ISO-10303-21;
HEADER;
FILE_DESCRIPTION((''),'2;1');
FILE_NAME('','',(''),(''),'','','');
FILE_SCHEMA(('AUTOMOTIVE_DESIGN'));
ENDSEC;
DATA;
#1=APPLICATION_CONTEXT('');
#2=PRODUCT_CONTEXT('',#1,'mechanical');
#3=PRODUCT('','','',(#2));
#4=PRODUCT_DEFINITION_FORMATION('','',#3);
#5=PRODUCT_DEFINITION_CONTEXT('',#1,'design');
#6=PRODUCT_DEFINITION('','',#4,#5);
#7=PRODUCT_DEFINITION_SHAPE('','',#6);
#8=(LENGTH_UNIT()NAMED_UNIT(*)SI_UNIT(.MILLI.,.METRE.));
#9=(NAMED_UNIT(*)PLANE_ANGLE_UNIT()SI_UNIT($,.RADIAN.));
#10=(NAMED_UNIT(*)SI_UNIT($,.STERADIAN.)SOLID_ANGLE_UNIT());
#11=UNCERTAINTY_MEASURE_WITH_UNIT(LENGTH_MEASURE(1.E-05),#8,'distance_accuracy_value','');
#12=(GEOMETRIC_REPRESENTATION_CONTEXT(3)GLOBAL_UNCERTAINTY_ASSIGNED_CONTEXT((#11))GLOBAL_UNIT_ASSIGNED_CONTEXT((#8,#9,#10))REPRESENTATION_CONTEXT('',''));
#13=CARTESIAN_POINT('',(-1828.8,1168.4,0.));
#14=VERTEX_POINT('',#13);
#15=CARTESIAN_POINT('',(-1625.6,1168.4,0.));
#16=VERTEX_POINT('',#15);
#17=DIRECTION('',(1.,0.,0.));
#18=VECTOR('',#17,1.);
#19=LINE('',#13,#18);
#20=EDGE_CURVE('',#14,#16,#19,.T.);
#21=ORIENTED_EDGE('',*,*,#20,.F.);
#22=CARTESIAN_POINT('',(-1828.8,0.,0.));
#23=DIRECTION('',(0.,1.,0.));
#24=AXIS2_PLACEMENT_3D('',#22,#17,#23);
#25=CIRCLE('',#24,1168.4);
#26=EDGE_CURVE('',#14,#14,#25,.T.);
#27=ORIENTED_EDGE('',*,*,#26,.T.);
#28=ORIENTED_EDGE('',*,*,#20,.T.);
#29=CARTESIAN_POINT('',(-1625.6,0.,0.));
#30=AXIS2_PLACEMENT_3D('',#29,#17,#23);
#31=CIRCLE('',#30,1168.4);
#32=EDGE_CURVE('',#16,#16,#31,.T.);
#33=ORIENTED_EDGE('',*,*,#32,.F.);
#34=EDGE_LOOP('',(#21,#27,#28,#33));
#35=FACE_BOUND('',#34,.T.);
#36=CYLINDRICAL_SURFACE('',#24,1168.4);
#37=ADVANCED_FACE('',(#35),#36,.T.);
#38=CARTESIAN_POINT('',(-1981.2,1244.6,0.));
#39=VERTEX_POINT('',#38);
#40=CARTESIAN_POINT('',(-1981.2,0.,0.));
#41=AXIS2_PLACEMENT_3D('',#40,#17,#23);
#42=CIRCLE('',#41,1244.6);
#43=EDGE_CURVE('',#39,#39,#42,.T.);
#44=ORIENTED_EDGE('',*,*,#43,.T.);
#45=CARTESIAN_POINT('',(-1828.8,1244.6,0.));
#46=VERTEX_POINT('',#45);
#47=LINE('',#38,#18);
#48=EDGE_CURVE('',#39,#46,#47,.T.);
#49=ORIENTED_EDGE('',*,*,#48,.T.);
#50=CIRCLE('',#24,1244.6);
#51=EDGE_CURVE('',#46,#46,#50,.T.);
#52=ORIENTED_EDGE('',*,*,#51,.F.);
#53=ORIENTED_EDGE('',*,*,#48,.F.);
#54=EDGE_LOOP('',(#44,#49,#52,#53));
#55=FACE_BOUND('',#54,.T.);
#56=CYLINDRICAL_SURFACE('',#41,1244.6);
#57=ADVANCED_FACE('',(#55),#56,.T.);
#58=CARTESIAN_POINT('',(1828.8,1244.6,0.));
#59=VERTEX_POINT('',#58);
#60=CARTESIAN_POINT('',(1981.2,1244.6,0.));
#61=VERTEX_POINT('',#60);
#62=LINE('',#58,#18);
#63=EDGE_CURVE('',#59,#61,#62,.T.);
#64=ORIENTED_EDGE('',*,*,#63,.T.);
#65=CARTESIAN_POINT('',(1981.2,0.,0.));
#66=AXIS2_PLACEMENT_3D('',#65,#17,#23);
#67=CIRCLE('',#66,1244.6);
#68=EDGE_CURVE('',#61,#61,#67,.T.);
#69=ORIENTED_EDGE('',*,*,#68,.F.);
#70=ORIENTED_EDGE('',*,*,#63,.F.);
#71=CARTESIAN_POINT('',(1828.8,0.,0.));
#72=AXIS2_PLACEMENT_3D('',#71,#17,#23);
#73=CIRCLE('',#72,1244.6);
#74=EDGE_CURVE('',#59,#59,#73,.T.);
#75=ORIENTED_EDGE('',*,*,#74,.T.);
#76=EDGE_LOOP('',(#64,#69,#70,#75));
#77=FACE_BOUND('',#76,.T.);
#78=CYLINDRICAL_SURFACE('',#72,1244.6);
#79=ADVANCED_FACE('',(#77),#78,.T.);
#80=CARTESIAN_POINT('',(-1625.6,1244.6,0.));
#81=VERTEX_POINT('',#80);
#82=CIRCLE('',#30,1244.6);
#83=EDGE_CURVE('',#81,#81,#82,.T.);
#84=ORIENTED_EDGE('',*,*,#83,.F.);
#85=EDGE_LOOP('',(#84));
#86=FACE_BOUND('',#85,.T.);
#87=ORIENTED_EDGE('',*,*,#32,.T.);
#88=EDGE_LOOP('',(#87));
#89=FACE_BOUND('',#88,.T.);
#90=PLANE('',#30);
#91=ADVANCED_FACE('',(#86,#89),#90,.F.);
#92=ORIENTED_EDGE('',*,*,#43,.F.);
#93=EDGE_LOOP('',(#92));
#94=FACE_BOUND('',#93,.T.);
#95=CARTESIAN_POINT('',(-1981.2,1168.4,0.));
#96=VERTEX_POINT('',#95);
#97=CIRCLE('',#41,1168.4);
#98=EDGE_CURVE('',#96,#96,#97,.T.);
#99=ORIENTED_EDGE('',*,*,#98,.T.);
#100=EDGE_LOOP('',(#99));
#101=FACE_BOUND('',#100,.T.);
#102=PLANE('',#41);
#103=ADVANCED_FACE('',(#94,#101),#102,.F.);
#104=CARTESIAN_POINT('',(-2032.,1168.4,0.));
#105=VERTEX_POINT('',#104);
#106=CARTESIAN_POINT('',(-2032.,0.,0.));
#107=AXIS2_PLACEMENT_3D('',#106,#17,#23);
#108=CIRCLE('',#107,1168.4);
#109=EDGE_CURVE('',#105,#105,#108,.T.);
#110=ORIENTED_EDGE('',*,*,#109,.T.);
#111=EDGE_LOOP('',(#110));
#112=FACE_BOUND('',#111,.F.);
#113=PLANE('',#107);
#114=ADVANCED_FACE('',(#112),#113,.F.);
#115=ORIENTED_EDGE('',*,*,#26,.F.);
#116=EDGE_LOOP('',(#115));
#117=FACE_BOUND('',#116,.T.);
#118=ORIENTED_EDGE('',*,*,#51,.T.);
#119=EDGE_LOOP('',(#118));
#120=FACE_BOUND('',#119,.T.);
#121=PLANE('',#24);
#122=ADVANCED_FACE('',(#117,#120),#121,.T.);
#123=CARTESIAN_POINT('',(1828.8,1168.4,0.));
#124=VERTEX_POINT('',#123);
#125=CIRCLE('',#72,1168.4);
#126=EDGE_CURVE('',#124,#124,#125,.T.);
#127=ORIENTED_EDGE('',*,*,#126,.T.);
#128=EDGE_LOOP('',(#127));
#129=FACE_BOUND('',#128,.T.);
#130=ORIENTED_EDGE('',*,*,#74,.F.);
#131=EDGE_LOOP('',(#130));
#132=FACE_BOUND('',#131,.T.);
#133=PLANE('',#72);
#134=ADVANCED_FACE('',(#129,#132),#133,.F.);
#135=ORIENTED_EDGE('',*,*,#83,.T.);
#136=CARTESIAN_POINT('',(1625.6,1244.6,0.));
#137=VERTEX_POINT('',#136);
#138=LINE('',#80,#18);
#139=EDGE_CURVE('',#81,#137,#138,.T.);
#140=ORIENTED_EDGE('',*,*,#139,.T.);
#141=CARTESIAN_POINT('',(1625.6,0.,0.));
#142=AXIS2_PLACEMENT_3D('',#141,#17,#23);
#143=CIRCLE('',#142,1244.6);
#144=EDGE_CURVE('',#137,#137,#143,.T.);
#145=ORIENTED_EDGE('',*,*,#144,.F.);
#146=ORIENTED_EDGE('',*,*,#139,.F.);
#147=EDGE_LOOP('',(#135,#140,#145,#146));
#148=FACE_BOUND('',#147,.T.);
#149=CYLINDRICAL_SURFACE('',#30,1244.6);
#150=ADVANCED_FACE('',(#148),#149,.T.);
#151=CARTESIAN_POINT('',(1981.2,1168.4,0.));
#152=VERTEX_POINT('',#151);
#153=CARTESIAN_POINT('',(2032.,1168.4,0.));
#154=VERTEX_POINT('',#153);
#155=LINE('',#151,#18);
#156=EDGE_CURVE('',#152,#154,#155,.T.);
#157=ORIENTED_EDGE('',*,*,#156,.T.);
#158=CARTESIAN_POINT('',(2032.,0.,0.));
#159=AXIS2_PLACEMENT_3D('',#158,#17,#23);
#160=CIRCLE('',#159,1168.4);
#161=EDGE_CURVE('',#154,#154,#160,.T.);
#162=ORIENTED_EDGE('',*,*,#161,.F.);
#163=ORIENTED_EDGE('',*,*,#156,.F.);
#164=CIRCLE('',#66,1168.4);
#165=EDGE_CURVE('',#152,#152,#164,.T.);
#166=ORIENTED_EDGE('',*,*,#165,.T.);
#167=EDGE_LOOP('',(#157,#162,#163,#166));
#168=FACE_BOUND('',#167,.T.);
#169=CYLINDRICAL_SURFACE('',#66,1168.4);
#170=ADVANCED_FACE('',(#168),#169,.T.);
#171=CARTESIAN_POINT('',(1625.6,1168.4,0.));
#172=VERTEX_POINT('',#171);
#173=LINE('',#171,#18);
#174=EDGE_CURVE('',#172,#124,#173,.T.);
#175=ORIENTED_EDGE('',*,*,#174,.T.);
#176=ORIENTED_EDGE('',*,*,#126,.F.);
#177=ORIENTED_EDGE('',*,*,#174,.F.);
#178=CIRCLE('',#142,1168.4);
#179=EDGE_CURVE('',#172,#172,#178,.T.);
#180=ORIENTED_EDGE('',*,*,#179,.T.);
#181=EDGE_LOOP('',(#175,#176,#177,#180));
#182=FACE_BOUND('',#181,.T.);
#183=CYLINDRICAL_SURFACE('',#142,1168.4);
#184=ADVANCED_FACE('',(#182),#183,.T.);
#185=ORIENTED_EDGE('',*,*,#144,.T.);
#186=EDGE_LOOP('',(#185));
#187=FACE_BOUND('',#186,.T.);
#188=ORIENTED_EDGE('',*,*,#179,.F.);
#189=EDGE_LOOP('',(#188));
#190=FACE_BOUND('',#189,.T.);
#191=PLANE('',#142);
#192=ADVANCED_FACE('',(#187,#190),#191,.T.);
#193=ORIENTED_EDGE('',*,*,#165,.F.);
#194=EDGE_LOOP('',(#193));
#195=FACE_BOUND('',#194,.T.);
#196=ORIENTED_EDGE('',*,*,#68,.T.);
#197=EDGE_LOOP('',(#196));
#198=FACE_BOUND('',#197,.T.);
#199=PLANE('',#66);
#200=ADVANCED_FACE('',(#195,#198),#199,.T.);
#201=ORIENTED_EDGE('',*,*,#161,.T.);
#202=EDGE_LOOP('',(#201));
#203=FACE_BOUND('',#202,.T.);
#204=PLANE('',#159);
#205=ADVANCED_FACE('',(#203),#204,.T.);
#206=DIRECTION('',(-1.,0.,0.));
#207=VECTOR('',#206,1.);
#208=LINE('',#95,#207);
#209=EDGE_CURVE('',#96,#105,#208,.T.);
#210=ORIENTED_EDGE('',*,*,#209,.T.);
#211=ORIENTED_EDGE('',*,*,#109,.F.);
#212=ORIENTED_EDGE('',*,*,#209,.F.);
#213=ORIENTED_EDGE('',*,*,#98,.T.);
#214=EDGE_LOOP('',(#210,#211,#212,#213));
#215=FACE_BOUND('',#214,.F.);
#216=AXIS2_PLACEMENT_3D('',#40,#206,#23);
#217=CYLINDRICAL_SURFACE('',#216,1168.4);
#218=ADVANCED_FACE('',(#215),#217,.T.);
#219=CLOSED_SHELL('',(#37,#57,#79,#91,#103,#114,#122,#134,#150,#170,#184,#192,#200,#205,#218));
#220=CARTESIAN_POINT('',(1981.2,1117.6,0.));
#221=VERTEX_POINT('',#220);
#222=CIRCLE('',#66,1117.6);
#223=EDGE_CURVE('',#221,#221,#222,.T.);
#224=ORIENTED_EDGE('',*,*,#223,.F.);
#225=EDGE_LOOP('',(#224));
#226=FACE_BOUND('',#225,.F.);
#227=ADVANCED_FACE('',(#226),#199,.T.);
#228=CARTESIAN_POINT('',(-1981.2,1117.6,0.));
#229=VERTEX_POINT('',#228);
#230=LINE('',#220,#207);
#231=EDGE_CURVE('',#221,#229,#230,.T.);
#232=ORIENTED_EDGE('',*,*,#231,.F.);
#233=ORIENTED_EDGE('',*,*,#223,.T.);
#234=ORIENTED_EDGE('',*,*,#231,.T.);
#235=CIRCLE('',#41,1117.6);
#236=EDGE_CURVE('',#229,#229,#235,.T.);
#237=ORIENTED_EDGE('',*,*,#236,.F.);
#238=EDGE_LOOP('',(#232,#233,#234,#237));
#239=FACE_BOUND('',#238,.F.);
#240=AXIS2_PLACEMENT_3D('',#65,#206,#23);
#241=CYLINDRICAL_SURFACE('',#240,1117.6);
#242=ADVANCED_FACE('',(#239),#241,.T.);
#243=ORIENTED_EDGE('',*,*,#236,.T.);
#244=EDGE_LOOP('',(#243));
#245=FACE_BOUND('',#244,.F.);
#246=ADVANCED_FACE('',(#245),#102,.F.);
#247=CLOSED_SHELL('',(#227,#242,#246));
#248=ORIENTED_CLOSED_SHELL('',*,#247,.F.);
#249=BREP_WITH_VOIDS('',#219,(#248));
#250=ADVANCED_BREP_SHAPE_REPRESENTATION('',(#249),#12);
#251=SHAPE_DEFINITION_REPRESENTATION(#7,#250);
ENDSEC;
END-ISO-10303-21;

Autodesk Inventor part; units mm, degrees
ref_plane "YZ Plane" through (0, 0, 0) normal (1, 0, 0) x (0, 1, 0)
ref_plane "XZ Plane" through (0, 0, 0) normal (0, 1, 0) x (-1, 0, 0)
ref_plane "XY Plane" through (0, 0, 0) normal (0, 0, 1) x (1, 0, 0)
sketch "Sketch1" plane through (0, 0, 0) normal (0, 0, 1) x (1, 0, 0)
  line L0 (1828.8, 1168.4) -> (1828.8, 1244.6)
  line L1 (1828.8, 1244.6) -> (1981.2, 1244.6)
  line L2 (1981.2, 1244.6) -> (1981.2, 1168.4)
  line L3 (1981.2, 1117.6) -> (-1981.2, 1117.6)
  line L4 (-1981.2, 1168.4) -> (-1981.2, 1244.6)
  line L5 (-1981.2, 1244.6) -> (-1828.8, 1244.6)
  line L6 (-1828.8, 1244.6) -> (-1828.8, 1168.4)
  line L7 (0, 0) -> (0, 1117.6) construction
  line L8 (-1981.2, 0) -> (1981.2, 0) construction
  line L9 (-1981.2, 1168.4) -> (-2032, 1168.4)
  line L10 (-2032, 1168.4) -> (-2032, 0)
  line L11 (-2032, 0) -> (-1981.2, 0)
  line L12 (-1981.2, 1117.6) -> (-1981.2, 0)
  line L13 (1981.2, 1168.4) -> (2032, 1168.4)
  line L14 (2032, 1168.4) -> (2032, 0)
  line L15 (2032, 0) -> (1981.2, 0)
  line L16 (1981.2, 0) -> (1981.2, 1117.6)
  line L17 (-1625.6, 1168.4) -> (-1625.6, 1244.6)
  line L18 (-1625.6, 1244.6) -> (1625.6, 1244.6)
  line L19 (1625.6, 1244.6) -> (1625.6, 1168.4)
  line L20 (-1828.8, 1168.4) -> (-1625.6, 1168.4)
  line L21 (1625.6, 1168.4) -> (1828.8, 1168.4)
  dimension "d1" = 2489.2
  dimension "d3" = 152.4
  dimension "d4" = 50.8
  dimension "d5" = 50.8
  dimension "d8" = 203.2
  dimension "d9" = 2336.8
  dimension "d10" = 3251.2
revolve "Revolution1" add sketch "Sketch1" angle 360 about axis through (-1981.2, 0, 0) along (1, 0, 0)
properties part number "MiddleShaftCJE" material "Steel, Alloy"
